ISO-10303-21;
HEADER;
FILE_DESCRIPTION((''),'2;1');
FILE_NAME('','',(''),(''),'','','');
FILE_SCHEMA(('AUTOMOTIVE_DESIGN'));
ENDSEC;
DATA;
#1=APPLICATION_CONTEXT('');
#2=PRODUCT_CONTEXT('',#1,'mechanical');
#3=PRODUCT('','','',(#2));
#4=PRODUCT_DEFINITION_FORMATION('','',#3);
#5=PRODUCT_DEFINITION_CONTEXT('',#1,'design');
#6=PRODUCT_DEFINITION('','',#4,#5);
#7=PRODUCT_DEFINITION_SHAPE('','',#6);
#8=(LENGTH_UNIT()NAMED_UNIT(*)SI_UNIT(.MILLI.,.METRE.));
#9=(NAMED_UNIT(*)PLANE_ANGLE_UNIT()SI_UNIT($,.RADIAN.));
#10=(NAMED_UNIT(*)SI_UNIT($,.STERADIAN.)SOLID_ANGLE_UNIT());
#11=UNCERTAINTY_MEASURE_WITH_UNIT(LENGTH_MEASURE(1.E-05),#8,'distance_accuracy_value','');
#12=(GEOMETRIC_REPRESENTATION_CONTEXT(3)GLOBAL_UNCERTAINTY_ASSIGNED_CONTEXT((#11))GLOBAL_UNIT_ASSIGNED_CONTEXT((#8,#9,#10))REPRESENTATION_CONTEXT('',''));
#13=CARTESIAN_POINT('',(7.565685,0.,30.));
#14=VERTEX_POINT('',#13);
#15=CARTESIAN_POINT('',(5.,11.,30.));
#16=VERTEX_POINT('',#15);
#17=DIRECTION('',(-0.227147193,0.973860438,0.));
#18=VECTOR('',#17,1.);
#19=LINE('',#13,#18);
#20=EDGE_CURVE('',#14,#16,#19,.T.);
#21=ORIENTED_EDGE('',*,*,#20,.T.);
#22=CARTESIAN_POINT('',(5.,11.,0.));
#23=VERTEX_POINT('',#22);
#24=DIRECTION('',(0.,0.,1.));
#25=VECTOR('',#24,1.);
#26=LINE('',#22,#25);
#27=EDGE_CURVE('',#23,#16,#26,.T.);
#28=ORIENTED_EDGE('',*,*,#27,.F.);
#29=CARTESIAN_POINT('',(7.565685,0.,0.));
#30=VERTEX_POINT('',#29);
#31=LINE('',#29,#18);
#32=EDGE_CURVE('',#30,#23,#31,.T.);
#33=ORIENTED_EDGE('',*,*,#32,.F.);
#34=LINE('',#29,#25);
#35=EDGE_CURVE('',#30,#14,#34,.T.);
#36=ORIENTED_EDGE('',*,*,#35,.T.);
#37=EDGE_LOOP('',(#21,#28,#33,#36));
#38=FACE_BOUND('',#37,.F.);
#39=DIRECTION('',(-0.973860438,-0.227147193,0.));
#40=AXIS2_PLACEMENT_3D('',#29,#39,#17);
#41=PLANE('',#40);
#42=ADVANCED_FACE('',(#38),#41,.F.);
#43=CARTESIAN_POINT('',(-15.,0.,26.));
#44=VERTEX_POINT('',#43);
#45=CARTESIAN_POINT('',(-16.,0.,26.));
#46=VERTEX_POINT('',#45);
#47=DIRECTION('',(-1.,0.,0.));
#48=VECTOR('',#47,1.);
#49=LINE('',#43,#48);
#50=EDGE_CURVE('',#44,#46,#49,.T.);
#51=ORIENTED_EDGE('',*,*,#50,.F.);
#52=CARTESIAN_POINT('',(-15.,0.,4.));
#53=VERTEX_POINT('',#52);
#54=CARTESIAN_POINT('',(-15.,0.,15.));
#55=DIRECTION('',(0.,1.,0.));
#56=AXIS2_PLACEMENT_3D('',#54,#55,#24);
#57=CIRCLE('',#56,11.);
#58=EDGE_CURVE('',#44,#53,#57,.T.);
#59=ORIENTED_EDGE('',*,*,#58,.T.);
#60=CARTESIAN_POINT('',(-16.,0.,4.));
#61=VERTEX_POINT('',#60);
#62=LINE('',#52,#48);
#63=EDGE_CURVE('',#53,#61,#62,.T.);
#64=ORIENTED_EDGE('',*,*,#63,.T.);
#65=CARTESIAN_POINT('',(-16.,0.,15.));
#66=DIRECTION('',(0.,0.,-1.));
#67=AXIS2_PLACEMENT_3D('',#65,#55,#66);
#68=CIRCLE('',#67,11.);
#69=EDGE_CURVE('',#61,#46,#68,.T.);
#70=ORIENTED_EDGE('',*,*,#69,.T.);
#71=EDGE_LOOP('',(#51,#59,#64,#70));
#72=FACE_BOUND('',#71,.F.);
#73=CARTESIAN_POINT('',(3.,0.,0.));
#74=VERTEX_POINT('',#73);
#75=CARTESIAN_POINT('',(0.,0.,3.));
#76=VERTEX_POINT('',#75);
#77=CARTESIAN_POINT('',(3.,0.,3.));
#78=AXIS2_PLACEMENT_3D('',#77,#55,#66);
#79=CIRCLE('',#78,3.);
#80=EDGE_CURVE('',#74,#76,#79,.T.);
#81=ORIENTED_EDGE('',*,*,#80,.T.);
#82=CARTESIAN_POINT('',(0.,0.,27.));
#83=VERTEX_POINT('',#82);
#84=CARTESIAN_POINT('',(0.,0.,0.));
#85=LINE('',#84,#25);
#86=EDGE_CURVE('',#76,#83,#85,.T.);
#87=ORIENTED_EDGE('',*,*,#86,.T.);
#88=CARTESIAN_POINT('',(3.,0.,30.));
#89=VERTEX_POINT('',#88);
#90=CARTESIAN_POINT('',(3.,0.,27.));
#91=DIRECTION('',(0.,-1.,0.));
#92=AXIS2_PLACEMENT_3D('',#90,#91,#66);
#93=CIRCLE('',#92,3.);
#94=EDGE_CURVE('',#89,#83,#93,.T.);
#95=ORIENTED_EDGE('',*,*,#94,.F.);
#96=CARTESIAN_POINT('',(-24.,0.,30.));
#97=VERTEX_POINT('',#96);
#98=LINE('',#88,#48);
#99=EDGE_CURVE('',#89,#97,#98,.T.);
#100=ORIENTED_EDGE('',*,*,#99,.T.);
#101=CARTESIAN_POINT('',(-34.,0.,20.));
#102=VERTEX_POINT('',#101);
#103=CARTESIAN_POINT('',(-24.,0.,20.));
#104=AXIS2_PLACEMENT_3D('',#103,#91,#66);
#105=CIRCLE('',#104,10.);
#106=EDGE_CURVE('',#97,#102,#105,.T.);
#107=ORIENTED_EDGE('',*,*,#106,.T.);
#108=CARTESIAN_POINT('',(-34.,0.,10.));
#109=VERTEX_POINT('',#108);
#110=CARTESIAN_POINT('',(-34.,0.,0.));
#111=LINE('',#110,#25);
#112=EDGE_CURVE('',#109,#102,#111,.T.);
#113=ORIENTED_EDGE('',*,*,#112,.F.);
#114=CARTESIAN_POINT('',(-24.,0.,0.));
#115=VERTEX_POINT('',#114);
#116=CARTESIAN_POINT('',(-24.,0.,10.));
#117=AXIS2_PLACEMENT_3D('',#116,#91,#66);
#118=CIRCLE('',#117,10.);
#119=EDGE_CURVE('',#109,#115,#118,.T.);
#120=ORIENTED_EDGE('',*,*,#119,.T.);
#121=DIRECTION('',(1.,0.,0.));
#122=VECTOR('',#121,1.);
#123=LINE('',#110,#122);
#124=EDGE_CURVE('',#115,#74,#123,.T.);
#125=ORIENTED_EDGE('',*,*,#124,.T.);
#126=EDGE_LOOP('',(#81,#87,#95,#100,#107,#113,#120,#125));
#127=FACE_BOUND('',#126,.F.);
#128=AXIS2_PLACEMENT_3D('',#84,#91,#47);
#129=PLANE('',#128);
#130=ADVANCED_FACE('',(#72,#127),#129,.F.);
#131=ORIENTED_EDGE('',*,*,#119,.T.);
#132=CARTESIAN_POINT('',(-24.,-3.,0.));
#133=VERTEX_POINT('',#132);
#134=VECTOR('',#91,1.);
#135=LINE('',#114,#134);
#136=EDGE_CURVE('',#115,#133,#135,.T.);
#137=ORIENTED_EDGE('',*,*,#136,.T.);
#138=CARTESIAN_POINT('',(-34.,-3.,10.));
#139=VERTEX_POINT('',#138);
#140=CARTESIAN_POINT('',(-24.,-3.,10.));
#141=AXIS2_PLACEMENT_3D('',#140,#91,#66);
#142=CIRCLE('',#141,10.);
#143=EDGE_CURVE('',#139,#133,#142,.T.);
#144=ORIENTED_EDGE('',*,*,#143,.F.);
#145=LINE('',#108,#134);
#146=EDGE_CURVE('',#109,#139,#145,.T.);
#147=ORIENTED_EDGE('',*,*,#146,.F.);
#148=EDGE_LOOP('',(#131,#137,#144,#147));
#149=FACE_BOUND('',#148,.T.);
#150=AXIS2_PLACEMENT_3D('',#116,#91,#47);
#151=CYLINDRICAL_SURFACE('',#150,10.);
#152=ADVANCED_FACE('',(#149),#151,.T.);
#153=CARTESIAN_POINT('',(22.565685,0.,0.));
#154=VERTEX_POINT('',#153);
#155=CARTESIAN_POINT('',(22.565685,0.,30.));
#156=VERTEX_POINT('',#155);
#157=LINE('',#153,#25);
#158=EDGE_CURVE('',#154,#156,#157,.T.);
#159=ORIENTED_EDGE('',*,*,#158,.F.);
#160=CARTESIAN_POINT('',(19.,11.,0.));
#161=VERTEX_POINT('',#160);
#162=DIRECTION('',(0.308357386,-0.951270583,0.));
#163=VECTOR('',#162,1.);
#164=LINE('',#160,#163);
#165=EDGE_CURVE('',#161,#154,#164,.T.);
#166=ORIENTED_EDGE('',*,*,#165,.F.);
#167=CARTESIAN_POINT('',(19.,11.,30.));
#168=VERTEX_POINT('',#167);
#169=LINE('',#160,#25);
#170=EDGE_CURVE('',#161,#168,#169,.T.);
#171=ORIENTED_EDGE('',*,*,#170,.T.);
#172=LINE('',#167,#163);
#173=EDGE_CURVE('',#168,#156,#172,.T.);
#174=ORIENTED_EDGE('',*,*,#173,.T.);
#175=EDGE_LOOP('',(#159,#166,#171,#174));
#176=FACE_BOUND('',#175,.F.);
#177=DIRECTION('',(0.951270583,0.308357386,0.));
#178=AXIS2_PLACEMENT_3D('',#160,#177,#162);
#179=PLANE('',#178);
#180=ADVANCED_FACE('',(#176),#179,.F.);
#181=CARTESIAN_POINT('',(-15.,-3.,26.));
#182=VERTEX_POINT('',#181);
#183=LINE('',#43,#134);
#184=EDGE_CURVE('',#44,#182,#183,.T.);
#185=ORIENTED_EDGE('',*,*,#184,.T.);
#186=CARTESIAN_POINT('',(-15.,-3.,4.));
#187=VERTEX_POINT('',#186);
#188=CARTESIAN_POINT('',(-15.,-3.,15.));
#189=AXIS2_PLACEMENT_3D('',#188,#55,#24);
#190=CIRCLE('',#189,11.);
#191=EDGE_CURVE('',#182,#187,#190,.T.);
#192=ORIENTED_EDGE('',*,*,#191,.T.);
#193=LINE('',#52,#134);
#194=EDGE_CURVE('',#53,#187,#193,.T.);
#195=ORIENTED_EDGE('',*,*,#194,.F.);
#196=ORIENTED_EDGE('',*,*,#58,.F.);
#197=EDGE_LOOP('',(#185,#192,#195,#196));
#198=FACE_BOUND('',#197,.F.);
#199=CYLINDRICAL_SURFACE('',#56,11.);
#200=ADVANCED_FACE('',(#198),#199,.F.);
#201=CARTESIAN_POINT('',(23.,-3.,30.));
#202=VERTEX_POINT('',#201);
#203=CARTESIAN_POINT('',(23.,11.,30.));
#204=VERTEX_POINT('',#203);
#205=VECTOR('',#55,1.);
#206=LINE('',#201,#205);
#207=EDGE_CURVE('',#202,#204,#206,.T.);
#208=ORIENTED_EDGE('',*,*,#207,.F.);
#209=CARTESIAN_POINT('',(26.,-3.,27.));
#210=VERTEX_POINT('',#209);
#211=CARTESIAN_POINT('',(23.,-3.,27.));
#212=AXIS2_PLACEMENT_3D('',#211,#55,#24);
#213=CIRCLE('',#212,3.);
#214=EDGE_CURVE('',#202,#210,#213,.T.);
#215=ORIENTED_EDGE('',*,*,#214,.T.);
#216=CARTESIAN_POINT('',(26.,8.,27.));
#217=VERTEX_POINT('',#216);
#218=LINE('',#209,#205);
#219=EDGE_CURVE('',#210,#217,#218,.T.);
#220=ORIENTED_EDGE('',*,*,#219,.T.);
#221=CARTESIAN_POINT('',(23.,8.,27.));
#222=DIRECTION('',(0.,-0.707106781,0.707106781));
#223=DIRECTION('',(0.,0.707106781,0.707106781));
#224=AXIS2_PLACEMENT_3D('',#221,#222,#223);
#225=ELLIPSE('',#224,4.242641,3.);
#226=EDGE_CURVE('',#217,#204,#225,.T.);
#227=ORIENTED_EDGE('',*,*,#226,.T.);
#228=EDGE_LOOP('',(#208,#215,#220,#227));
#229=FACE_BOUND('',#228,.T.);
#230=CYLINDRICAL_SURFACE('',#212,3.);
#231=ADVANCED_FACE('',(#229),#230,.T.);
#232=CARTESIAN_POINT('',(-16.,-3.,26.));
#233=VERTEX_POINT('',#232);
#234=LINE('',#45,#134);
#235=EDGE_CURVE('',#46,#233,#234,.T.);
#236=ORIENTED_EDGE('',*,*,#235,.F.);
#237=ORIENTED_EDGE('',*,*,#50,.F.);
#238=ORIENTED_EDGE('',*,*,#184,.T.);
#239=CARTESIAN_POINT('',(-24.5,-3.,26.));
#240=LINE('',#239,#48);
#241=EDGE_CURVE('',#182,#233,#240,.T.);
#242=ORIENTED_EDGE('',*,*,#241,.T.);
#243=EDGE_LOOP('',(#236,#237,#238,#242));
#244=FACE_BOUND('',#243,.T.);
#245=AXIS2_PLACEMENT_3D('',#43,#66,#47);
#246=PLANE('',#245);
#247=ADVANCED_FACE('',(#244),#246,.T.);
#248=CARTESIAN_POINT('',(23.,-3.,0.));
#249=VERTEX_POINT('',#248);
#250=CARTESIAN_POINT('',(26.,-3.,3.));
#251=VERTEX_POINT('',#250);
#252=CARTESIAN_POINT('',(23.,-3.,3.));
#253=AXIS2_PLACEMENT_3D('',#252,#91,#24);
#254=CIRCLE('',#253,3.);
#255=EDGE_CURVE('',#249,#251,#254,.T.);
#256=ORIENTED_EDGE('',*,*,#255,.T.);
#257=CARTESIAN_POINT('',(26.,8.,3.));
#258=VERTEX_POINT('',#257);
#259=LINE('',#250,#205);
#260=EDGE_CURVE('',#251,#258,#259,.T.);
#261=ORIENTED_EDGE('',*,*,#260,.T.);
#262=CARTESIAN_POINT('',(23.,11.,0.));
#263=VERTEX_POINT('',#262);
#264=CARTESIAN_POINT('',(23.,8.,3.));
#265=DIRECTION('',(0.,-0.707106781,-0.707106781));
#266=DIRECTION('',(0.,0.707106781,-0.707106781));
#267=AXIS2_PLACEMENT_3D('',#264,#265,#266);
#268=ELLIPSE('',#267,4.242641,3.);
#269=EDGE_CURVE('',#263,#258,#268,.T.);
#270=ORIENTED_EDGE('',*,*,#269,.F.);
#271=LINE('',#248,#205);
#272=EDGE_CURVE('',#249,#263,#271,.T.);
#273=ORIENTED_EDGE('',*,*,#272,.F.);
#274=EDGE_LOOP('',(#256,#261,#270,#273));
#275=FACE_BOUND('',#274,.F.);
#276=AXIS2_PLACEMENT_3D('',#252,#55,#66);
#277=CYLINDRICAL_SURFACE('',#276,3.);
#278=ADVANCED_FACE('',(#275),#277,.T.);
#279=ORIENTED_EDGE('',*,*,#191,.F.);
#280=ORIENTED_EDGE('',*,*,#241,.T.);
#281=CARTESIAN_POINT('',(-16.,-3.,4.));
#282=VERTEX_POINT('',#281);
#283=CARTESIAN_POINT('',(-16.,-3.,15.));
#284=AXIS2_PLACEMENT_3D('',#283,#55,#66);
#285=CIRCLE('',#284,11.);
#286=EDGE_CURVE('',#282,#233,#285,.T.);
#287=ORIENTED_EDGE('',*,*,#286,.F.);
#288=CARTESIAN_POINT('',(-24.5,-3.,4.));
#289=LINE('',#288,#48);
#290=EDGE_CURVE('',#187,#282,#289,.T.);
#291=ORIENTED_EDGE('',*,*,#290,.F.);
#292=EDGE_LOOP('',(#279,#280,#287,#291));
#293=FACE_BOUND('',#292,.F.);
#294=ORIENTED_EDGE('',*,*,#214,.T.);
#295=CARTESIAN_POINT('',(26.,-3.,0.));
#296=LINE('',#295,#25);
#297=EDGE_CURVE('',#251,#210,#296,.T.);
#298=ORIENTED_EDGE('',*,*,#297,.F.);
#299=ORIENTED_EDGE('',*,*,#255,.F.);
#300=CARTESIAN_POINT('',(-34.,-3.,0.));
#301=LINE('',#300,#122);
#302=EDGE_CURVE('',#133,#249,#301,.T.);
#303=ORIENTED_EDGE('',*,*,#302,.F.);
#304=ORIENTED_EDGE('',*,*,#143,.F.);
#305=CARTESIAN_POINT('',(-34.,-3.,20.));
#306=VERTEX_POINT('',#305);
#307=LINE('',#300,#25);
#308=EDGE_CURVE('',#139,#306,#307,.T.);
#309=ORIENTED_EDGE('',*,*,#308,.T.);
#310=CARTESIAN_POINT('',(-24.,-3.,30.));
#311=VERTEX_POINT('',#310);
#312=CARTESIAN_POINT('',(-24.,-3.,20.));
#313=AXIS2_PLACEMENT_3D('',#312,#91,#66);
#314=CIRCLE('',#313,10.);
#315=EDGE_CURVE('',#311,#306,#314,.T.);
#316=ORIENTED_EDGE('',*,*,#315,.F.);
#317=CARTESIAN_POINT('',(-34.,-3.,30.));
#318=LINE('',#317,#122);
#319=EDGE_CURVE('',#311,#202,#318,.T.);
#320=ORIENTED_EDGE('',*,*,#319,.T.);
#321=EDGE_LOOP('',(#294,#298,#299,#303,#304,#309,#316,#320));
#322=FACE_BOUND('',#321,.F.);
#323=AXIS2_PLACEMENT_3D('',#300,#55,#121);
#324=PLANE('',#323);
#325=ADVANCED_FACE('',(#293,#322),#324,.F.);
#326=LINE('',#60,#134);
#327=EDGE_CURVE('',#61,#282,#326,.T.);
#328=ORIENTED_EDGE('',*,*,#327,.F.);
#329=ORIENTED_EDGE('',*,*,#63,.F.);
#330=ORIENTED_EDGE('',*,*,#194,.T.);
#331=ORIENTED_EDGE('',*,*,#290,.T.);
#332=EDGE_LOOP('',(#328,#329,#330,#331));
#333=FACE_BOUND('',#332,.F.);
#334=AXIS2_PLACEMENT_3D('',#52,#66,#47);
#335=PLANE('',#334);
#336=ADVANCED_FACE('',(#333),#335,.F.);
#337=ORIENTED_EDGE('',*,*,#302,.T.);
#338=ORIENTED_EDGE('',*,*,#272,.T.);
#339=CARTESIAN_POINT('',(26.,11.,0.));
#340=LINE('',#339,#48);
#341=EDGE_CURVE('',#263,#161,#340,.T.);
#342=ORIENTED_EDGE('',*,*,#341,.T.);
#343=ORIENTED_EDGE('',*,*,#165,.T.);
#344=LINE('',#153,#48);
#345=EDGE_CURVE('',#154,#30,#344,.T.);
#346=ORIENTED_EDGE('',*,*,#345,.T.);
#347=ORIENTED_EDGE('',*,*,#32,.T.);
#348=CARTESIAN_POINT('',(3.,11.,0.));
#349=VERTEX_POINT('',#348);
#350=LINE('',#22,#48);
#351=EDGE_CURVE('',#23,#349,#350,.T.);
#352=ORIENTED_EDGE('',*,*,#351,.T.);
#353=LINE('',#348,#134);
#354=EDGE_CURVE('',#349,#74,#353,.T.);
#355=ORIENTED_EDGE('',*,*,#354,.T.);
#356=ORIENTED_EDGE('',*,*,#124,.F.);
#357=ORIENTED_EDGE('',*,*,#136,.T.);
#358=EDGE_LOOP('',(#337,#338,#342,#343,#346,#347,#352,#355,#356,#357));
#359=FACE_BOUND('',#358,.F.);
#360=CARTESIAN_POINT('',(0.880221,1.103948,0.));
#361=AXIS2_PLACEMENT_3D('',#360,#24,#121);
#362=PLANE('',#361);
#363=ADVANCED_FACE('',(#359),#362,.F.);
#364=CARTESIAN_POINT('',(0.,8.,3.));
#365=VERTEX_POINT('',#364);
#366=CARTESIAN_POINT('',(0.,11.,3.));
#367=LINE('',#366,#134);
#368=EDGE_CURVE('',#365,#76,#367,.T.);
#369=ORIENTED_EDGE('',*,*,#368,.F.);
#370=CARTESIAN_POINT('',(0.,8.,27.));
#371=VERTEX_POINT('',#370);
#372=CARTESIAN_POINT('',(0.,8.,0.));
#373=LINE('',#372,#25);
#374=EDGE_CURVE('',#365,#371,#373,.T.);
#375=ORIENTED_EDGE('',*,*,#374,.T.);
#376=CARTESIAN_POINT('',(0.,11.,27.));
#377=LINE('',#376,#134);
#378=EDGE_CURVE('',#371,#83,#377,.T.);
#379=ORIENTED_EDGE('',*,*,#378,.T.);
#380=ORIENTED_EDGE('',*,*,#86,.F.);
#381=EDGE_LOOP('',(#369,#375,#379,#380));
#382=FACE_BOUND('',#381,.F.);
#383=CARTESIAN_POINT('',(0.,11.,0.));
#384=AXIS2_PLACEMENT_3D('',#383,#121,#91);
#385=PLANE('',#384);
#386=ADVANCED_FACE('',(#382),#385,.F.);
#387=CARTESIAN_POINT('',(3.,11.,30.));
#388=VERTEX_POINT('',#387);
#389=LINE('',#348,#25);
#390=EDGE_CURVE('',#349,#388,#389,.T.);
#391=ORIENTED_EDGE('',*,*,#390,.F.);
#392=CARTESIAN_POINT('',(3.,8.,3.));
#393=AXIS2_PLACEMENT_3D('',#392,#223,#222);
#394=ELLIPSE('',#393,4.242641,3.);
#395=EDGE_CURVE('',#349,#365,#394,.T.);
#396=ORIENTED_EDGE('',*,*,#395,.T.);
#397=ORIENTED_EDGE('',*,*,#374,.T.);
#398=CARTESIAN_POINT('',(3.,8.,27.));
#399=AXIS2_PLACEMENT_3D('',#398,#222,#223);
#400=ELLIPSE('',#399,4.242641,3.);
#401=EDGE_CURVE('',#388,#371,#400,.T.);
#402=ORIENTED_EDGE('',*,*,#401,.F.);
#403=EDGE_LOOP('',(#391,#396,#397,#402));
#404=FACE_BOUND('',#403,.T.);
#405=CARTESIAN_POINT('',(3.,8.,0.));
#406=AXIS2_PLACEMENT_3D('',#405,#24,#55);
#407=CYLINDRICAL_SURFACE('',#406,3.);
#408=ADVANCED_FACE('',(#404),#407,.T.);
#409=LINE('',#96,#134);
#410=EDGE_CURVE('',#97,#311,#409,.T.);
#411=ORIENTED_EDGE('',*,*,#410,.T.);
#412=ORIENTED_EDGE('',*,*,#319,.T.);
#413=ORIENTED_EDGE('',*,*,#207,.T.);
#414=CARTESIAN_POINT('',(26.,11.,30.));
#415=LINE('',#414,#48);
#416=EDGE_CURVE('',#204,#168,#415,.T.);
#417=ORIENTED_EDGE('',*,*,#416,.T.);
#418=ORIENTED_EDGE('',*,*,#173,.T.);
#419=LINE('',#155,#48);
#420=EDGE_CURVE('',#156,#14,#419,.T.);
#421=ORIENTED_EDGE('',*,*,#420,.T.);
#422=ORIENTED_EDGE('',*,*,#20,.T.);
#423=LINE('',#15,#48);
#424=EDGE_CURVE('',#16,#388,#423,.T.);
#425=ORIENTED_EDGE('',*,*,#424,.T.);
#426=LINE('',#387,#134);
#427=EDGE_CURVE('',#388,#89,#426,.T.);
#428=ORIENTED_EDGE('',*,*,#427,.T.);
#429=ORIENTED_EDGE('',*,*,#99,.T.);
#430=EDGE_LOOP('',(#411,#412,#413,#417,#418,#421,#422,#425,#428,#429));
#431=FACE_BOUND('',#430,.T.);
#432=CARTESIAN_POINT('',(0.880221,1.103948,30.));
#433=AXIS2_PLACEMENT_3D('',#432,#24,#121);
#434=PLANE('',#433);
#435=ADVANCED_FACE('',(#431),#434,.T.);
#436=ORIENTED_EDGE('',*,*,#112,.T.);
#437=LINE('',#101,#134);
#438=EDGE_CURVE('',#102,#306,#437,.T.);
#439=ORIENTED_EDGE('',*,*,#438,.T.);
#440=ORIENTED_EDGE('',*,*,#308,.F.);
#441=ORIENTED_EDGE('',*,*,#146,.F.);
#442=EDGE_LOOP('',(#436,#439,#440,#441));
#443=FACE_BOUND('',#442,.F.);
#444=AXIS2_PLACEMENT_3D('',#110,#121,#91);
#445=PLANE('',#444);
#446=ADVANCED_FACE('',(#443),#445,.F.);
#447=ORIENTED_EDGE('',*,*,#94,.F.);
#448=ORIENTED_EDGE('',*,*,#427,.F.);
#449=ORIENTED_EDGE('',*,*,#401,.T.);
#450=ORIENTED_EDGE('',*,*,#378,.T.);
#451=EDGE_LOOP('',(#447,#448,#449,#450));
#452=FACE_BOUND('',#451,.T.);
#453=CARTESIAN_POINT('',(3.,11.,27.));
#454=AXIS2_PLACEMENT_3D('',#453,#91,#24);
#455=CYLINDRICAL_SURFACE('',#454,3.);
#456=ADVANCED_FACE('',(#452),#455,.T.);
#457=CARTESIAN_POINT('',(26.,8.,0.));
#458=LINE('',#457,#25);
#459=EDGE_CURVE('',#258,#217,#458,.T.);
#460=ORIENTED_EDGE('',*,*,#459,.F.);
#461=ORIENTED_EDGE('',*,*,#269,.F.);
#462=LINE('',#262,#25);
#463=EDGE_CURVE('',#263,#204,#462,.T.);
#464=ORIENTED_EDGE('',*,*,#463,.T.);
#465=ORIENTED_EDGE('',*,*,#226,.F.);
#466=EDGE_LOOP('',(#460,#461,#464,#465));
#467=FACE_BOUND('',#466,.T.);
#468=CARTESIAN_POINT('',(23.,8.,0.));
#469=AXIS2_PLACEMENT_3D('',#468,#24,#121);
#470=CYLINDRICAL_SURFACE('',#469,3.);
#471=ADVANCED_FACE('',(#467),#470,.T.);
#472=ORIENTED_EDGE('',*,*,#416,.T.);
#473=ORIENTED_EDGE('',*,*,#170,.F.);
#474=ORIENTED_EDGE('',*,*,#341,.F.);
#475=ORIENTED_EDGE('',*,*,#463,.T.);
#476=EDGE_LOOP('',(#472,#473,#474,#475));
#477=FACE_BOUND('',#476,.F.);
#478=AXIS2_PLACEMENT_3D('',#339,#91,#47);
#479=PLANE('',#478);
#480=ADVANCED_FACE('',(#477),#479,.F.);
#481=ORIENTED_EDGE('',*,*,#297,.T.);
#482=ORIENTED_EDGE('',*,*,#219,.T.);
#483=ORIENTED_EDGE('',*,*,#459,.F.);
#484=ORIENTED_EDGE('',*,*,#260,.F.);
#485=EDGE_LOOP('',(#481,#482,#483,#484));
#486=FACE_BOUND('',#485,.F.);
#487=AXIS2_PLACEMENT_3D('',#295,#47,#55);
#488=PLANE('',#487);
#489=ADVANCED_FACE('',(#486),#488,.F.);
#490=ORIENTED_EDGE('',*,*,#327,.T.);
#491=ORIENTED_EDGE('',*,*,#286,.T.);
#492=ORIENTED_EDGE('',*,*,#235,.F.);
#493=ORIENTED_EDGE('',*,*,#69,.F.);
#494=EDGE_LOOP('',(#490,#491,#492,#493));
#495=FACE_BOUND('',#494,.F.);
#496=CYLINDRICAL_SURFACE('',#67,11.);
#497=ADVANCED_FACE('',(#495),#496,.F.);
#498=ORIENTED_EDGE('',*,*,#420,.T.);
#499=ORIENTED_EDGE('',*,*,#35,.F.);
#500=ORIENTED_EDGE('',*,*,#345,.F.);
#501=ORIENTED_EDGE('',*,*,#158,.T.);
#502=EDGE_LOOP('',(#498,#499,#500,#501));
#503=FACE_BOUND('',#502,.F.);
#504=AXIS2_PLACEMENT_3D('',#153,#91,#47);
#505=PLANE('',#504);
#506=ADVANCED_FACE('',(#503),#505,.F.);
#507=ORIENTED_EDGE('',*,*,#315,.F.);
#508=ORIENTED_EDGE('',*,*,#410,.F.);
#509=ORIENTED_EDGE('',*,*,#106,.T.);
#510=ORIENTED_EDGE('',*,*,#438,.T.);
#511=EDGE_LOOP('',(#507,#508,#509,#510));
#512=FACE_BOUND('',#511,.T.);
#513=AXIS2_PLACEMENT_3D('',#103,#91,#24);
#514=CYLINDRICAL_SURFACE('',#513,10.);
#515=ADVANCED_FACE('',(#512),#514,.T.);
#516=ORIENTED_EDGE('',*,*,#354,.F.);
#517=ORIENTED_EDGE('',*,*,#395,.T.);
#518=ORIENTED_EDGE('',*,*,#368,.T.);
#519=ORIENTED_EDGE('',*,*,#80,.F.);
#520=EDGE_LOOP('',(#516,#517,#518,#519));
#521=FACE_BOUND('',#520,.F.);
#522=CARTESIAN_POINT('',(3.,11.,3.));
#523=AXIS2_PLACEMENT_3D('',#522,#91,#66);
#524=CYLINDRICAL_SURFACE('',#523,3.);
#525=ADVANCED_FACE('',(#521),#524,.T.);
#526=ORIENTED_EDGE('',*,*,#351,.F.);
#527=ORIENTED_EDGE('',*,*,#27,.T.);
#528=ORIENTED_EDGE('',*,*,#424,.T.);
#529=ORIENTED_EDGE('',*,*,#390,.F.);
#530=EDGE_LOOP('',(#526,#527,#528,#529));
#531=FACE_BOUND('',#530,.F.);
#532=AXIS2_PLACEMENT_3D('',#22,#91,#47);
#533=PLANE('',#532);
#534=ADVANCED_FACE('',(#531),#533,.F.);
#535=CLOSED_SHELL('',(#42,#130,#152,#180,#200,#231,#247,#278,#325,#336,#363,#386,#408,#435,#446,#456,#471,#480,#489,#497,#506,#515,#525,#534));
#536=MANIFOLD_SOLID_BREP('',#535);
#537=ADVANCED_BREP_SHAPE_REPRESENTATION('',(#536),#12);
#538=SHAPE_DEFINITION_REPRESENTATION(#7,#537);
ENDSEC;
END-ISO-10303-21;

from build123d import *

# Parameters (mm, degrees)
PAD_DEPTH    = 30
POCKET_DEPTH = 5
FILLET_R     = 3
FILLET001_R  = 10


with BuildPart() as part:
    # Sketch → Pad (new body)
    with BuildSketch(Plane.XY):
        Polygon((-34, -3), (26, -3), (26, 11), (19, 11), (22.565685, 0), (7.565685, 0), (5, 11), (0, 11), (0, 0), (-34, 0), align=None)
    extrude(amount=PAD_DEPTH)

    # Sketch001 → Pocket (cut)
    with BuildSketch(Plane(origin=(0, 0, 0), x_dir=(-1, 0, 0), z_dir=(0, 1, 0))):
        with BuildLine():
            ThreePointArc((15, 26), (4, 15), (15, 4))
            Line((15, 4), (16, 4))
            ThreePointArc((16, 4), (27, 15), (16, 26))
            Line((15, 26), (16, 26))
        make_face()
    extrude(amount=-POCKET_DEPTH, mode=Mode.SUBTRACT)

    # Fillet
    fillet_edges = [part.edges().sort_by_distance(p)[0] for p in [
        (0, 11, 15),
        (0, 5.5, 30),
        (0, 5.5, 0),
        (26, 4, 0),
        (26, 11, 15),
        (26, 4, 30),
    ]]
    fillet(fillet_edges, radius=FILLET_R)

    # Fillet001
    fillet001_edges = [part.edges().sort_by_distance(p)[0] for p in [
        (-34, -1.5, 0),
        (-34, -1.5, 30),
    ]]
    fillet(fillet001_edges, radius=FILLET001_R)


solid = part.part
